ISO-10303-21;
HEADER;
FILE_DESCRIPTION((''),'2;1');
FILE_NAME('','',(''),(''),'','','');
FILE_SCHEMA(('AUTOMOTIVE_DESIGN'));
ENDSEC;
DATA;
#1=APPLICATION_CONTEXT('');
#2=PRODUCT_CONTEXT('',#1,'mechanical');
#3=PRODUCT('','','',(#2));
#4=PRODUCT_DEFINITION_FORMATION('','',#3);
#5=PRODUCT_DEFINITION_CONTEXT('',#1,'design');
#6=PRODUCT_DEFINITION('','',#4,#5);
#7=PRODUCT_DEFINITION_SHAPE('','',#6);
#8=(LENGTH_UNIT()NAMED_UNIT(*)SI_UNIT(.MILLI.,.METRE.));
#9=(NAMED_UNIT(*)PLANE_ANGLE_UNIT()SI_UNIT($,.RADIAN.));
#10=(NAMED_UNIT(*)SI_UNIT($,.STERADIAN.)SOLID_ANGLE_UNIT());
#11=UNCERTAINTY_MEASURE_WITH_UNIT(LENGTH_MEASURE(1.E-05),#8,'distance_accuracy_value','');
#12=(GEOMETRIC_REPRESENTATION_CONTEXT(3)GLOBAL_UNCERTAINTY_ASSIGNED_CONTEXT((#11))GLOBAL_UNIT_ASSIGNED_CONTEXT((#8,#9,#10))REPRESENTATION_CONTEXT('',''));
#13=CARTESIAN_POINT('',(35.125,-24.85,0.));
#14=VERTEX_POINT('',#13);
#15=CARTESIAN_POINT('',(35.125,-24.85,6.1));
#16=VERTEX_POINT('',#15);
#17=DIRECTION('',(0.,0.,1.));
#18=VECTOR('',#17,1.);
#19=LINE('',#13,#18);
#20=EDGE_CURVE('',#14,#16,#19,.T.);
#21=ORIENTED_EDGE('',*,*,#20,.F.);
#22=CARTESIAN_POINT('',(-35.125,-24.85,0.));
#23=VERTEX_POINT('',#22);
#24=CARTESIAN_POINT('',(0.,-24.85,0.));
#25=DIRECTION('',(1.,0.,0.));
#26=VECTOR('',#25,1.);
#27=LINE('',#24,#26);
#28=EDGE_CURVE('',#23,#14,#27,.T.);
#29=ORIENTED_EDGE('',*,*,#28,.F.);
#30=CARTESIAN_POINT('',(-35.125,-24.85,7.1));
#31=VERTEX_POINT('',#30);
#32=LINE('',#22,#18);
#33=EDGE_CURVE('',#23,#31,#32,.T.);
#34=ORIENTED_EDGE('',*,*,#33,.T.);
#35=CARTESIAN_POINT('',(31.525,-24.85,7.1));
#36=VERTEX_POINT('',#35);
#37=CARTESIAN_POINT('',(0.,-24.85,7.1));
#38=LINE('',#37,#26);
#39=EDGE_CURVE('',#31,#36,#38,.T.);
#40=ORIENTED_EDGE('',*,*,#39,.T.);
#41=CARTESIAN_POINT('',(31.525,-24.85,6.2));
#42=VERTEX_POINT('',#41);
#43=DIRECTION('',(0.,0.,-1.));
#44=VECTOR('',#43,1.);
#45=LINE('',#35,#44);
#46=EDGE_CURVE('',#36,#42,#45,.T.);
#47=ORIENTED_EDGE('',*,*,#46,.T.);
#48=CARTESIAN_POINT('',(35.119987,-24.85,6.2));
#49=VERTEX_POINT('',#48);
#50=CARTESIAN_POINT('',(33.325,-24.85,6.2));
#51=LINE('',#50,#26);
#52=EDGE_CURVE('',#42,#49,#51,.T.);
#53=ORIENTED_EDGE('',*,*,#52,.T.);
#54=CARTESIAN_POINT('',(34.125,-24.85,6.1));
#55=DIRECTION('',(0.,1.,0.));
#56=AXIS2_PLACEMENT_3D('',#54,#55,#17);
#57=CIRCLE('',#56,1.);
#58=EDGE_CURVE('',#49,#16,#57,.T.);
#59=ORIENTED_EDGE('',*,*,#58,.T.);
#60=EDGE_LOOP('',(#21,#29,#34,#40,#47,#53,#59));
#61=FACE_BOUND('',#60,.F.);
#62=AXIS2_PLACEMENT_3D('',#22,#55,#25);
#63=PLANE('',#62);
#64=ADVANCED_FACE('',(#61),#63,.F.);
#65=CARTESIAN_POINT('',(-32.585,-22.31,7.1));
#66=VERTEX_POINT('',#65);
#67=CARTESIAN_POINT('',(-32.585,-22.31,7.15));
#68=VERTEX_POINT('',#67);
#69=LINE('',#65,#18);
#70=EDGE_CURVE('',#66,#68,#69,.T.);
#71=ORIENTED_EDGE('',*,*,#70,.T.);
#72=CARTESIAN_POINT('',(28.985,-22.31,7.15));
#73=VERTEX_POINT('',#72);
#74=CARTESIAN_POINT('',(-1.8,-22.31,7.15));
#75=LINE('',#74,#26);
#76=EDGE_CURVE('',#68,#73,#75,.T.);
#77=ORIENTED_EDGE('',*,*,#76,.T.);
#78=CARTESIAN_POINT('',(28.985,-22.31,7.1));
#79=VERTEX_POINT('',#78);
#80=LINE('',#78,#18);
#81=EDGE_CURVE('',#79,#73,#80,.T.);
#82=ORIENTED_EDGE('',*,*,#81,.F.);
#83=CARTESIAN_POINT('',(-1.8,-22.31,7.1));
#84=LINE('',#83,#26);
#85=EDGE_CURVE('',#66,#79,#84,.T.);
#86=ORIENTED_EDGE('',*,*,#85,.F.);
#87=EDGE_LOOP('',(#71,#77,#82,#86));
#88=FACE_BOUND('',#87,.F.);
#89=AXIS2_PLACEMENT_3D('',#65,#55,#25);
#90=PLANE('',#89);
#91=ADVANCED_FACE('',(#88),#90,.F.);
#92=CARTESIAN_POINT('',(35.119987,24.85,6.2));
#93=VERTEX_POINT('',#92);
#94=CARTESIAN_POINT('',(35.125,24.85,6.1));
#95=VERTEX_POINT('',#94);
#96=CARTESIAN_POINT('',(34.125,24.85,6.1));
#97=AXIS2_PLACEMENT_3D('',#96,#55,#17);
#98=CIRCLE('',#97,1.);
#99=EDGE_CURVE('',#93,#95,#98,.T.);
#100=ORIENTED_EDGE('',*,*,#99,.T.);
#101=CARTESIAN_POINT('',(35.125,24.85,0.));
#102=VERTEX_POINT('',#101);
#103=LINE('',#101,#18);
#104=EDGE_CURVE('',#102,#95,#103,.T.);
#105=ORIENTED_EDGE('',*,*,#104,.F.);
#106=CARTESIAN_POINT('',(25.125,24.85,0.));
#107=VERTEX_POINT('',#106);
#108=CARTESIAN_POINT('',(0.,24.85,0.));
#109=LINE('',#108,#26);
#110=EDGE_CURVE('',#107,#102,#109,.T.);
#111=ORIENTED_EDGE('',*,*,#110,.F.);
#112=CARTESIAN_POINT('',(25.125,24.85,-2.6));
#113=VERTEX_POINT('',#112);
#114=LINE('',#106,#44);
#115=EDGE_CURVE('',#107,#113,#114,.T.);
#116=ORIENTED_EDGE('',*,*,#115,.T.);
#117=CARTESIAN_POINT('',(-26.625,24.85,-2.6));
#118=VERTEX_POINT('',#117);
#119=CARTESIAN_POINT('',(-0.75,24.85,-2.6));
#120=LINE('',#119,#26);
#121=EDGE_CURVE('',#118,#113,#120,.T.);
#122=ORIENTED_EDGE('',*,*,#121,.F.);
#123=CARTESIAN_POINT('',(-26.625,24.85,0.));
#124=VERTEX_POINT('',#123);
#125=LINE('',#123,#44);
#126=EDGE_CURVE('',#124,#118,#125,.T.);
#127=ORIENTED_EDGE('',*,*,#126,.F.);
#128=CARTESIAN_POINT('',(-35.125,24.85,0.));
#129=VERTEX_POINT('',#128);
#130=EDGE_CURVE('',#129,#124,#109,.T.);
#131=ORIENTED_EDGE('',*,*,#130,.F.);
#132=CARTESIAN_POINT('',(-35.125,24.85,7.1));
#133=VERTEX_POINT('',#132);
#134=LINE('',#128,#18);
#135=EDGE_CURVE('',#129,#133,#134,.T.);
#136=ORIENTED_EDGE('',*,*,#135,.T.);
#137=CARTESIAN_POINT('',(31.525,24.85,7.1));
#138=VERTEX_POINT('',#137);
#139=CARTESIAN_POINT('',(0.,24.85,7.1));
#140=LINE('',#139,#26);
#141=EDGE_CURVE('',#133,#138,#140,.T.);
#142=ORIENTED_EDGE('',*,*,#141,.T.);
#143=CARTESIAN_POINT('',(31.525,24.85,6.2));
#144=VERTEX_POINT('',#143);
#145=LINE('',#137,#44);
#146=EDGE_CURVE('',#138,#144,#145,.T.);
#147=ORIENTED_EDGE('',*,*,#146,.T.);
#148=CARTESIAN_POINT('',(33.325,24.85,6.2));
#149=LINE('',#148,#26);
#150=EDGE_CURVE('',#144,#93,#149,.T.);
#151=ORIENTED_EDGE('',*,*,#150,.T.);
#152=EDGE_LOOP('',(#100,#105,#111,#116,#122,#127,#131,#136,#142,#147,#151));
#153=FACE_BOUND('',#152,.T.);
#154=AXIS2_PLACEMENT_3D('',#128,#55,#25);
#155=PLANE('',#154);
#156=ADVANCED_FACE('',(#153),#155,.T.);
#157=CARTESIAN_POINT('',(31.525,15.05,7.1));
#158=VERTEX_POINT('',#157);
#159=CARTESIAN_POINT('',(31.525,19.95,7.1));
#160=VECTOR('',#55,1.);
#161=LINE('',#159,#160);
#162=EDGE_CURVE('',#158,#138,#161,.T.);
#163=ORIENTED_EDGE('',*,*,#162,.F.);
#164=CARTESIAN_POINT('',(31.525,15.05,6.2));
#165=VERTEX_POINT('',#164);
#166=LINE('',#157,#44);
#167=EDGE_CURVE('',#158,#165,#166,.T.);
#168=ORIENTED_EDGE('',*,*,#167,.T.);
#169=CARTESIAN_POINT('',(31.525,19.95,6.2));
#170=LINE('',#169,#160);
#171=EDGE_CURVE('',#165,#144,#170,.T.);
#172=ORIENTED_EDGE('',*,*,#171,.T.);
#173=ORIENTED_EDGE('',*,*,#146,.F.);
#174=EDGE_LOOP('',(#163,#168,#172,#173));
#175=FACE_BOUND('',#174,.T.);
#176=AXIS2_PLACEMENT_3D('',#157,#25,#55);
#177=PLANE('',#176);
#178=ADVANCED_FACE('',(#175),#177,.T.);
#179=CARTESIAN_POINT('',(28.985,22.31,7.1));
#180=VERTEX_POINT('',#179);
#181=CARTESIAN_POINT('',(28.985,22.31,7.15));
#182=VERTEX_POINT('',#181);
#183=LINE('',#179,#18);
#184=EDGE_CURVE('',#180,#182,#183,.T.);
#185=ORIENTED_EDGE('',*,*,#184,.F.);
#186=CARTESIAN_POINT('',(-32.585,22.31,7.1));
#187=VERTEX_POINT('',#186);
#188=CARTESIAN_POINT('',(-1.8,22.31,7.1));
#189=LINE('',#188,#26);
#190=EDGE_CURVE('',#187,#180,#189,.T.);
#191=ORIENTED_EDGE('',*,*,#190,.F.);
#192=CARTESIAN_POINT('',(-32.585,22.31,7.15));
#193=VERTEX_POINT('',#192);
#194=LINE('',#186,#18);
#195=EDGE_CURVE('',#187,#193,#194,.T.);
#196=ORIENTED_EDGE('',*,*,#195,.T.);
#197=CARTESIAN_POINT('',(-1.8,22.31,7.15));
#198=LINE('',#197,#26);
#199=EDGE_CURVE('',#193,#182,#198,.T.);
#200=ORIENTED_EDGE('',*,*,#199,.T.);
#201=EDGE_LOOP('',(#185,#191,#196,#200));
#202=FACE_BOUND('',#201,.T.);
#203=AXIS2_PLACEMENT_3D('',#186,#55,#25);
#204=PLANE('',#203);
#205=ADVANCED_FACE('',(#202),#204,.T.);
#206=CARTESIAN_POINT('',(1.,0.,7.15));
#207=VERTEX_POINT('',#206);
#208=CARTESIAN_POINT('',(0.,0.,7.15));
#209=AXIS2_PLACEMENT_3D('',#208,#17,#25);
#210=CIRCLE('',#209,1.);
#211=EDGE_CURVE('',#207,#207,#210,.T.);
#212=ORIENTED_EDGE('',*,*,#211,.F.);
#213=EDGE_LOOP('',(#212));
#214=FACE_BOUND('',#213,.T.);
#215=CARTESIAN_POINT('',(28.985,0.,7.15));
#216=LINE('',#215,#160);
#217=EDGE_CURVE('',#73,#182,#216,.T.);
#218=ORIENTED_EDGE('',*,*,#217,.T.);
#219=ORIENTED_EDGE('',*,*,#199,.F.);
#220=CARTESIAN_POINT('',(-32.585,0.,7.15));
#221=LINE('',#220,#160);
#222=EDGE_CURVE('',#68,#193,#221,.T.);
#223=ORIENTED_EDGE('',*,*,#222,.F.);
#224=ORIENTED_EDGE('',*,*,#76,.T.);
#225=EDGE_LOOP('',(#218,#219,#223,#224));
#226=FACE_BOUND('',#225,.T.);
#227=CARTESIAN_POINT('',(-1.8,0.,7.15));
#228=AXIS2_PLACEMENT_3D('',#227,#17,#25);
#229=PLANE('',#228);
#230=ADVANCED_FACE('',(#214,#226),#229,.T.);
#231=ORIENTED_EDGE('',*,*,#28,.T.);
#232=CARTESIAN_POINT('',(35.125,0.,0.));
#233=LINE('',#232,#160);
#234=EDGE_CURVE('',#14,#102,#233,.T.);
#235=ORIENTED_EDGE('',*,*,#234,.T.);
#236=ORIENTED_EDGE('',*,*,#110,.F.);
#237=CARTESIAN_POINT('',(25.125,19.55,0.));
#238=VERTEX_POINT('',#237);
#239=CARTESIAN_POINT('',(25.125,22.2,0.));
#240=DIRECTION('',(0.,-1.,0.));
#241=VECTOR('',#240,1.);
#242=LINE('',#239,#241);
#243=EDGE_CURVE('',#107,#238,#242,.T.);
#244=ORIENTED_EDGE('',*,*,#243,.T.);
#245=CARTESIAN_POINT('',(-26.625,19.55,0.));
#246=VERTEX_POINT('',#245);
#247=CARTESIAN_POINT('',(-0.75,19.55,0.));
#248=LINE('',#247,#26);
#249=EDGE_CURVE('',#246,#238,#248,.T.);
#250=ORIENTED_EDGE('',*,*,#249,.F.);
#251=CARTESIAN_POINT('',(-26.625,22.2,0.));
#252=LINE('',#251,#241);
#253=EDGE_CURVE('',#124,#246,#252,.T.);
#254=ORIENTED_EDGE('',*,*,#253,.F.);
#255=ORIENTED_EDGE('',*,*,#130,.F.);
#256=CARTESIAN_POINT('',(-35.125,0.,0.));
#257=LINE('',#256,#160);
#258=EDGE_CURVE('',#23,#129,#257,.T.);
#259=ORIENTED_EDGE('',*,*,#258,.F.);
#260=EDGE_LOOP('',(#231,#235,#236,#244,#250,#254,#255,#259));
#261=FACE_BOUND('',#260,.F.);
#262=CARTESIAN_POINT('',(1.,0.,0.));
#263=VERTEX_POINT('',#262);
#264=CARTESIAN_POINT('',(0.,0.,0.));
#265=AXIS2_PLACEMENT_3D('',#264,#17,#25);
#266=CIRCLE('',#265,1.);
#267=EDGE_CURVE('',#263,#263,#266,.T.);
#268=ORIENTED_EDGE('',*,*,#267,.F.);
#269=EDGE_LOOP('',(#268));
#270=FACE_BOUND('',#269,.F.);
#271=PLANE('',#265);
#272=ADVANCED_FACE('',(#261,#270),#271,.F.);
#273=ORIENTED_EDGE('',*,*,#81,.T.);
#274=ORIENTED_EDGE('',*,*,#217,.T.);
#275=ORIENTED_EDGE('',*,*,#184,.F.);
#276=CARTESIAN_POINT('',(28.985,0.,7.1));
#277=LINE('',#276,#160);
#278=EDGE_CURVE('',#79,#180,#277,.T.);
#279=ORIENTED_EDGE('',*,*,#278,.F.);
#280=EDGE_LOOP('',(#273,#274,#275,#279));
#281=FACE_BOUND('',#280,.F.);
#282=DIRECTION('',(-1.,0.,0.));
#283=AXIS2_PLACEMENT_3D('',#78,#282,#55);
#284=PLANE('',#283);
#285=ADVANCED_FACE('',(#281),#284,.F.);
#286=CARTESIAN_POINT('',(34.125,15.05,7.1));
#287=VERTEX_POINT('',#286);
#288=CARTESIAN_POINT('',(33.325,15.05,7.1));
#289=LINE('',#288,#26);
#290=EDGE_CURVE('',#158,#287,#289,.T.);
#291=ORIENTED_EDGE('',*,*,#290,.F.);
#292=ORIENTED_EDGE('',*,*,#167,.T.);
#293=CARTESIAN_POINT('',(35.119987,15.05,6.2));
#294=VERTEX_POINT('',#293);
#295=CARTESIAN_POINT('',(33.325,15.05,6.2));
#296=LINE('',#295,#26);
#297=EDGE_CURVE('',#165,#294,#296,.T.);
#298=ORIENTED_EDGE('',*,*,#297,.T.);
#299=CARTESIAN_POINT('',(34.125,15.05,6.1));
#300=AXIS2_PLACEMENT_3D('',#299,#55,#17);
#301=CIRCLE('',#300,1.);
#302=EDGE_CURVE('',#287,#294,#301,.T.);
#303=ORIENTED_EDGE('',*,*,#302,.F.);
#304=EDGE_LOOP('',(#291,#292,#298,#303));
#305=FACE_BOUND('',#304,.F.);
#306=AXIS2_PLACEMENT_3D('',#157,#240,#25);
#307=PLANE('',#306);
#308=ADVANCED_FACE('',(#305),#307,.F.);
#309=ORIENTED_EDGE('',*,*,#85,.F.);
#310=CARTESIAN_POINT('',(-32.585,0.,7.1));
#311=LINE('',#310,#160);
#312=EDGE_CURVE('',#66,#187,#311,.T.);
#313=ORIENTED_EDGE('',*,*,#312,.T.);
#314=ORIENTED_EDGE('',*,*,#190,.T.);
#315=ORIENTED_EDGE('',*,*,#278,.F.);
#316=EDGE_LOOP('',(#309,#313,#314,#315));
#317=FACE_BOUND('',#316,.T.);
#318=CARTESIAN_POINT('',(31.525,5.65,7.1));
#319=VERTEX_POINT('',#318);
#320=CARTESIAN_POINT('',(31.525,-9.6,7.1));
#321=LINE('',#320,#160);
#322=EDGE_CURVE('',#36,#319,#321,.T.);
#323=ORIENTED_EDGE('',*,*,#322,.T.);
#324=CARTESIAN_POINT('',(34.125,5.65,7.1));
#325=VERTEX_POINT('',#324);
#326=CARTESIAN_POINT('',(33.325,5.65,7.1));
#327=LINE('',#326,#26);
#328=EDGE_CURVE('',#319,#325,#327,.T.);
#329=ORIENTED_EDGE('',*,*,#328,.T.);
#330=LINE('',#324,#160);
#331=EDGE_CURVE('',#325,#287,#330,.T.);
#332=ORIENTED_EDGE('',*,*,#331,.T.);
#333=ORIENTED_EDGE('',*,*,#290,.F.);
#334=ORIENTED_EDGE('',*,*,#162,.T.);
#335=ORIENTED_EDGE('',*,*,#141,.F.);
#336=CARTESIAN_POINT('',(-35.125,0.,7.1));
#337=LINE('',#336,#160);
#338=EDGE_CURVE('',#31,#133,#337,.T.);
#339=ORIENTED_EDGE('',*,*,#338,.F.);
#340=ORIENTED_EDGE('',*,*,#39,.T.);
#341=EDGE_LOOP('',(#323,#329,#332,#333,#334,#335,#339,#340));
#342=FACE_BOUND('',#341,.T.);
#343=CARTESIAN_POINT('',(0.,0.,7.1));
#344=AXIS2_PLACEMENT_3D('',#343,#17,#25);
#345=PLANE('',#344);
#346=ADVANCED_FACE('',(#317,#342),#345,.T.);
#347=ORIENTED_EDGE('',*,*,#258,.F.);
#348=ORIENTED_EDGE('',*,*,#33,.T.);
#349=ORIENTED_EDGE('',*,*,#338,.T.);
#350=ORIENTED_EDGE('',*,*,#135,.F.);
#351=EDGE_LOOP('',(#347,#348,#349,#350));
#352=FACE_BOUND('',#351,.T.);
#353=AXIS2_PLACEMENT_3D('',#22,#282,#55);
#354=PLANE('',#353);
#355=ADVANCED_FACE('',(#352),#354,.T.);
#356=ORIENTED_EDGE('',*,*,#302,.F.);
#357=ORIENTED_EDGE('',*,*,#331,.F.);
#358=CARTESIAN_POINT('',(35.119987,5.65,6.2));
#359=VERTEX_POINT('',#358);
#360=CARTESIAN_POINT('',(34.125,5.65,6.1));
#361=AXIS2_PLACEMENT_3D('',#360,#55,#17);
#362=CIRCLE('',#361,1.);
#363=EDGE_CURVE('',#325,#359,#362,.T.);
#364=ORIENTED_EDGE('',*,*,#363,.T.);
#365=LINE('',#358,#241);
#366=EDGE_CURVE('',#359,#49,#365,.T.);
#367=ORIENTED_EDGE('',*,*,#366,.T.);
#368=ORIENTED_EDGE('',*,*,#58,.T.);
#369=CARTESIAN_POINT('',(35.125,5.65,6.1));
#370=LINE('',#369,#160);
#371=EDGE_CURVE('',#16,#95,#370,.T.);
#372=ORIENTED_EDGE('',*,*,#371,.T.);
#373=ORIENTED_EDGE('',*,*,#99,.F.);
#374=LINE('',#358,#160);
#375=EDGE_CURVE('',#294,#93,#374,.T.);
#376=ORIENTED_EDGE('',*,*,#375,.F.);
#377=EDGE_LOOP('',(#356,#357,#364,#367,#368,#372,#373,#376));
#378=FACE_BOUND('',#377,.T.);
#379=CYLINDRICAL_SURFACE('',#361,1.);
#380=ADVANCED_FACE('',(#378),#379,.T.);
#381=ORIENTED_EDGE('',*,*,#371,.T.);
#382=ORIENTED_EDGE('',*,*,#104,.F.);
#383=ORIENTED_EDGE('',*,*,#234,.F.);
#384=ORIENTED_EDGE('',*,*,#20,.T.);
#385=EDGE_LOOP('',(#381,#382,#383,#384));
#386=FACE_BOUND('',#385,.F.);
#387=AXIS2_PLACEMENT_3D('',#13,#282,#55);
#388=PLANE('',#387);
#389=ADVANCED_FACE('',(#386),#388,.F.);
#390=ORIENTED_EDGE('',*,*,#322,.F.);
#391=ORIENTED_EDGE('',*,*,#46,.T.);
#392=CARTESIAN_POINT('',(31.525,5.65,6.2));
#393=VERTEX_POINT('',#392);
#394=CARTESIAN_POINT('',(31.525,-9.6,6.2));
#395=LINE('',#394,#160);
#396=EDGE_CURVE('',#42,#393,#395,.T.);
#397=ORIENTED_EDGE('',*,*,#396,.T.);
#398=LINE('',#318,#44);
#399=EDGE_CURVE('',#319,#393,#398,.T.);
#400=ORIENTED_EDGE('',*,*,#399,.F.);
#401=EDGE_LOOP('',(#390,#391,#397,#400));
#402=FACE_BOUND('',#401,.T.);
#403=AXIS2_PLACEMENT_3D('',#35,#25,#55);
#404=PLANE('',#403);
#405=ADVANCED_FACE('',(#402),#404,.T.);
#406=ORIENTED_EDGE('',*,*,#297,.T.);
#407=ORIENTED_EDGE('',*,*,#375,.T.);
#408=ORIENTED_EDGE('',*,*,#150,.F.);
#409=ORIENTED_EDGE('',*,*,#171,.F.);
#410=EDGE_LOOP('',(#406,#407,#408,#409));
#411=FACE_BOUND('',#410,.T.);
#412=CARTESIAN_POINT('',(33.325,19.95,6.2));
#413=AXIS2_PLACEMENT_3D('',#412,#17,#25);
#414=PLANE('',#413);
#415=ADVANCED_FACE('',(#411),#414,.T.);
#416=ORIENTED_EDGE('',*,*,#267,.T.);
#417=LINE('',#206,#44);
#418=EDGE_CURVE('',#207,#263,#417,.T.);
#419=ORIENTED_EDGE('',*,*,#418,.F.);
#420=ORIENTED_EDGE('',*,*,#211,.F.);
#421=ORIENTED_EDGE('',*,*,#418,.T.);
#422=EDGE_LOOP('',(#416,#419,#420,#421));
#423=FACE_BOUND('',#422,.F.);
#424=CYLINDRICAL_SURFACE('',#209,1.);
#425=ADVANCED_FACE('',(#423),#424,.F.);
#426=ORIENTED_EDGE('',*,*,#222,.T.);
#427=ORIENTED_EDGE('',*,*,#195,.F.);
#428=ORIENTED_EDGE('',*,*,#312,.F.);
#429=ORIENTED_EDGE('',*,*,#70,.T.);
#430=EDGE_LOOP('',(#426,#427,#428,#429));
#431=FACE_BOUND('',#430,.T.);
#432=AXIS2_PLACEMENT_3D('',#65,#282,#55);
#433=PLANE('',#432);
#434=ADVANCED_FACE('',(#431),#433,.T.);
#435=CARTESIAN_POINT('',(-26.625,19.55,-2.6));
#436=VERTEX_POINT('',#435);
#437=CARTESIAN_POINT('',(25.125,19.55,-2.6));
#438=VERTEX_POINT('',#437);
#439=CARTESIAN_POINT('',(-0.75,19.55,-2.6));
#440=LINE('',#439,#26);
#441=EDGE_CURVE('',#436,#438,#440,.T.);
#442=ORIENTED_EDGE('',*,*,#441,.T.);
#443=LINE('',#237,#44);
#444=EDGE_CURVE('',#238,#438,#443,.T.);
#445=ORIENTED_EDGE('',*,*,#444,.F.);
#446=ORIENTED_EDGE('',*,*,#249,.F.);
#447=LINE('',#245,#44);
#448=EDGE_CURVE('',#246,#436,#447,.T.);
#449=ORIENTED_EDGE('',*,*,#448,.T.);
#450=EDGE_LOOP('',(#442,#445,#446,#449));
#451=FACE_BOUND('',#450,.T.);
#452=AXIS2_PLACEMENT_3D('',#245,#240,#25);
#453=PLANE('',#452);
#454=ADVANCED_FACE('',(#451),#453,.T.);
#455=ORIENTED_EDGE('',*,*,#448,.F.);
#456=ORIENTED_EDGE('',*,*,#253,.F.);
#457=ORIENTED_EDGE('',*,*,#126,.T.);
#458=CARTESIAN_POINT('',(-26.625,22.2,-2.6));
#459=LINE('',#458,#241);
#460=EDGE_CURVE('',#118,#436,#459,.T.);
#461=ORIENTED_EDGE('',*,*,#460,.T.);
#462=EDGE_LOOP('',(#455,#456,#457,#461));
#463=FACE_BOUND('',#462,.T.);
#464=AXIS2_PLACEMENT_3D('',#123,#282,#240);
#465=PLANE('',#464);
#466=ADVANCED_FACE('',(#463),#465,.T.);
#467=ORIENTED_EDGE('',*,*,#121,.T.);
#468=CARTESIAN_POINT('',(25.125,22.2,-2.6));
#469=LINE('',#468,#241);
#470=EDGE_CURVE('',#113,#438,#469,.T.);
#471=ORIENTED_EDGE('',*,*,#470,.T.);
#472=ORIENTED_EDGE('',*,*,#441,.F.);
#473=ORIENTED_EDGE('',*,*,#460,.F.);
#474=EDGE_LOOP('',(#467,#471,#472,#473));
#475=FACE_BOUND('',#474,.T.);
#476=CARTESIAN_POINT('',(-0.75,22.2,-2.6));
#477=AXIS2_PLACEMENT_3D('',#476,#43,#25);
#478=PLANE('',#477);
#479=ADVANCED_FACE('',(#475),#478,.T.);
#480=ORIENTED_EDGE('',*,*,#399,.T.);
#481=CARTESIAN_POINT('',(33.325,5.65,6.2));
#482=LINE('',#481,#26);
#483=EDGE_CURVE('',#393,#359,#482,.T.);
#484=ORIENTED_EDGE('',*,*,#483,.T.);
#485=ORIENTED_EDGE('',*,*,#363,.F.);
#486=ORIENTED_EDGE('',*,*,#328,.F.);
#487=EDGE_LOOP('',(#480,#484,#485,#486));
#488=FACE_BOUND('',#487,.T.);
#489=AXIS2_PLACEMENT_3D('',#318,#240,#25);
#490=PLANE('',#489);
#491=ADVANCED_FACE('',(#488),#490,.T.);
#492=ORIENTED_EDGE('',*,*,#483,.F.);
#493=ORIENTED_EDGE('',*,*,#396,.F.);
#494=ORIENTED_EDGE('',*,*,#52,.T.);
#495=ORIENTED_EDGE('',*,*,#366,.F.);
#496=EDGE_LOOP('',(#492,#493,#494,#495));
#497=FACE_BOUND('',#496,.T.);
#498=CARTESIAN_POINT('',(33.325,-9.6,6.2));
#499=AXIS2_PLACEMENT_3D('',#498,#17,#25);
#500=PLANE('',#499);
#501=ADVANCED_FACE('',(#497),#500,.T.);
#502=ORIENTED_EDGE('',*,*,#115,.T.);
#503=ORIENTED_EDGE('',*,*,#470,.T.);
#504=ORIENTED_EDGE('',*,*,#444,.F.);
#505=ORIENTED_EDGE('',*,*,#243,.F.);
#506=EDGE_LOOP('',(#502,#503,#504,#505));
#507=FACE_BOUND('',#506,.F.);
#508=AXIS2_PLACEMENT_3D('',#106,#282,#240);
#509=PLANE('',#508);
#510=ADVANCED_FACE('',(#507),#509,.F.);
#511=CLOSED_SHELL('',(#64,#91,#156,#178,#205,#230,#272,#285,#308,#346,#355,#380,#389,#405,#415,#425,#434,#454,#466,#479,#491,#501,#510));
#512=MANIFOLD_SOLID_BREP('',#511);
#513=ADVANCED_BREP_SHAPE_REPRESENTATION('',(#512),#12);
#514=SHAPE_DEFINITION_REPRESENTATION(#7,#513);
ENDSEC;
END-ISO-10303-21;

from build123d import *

# Parameters (mm, degrees)
SKETCH_W        = 70.25
SKETCH_H        = 49.7
PAD_DEPTH       = 7.1
SKETCH001_W     = 3.6
SKETCH001_H     = 9.8
SKETCH001_H_2   = 30.5
POCKET_DEPTH    = 0.9
SKETCH002_W     = 51.75
SKETCH002_H     = 5.3
PAD001_DEPTH    = 2.6
FILLET_R        = 1
SKETCH003_W     = 61.57
SKETCH003_H     = 44.62
PAD002_DEPTH    = 0.05
SKETCH004_R     = 1
POCKET001_DEPTH = 9.751


with BuildPart() as part:
    # Sketch → Pad (new body)
    with BuildSketch(Plane.XY):
        Rectangle(SKETCH_W, SKETCH_H)
    extrude(amount=PAD_DEPTH)

    # Sketch001 (on Face6 of Pad) → Pocket (cut)
    with BuildSketch(Plane.XY.offset(7.1)):
        with Locations((33.325, 19.95)):
            Rectangle(SKETCH001_W, SKETCH001_H)
        with Locations((33.325, -9.6)):
            Rectangle(SKETCH001_W, SKETCH001_H_2)
    extrude(amount=-POCKET_DEPTH, mode=Mode.SUBTRACT)

    # Sketch002 (on Face2 of Pocket) → Pad001 (join)
    with BuildSketch(Plane(origin=(0, 0, 0), x_dir=(1, 0, 0), z_dir=(0, 0, -1))):
        with Locations((-0.75, -22.2)):
            Rectangle(SKETCH002_W, SKETCH002_H)
    extrude(amount=PAD001_DEPTH)

    # Fillet
    fillet_edges = [part.edges().sort_by_distance(p)[0] for p in [
        (35.125, 10.35, 7.1),
    ]]
    fillet(fillet_edges, radius=FILLET_R)

    # Sketch003 (on Face8 of Fillet) → Pad002 (join)
    with BuildSketch(Plane.XY.offset(7.1)):
        with Locations((-1.8, 0)):
            Rectangle(SKETCH003_W, SKETCH003_H)
    extrude(amount=PAD002_DEPTH)

    # Sketch004 (on Face23 of Pad002) → Pocket001 (cut, through all)
    with BuildSketch(Plane.XY.offset(7.15)):
        Circle(SKETCH004_R)
    extrude(amount=-POCKET001_DEPTH, mode=Mode.SUBTRACT)


solid = part.part
